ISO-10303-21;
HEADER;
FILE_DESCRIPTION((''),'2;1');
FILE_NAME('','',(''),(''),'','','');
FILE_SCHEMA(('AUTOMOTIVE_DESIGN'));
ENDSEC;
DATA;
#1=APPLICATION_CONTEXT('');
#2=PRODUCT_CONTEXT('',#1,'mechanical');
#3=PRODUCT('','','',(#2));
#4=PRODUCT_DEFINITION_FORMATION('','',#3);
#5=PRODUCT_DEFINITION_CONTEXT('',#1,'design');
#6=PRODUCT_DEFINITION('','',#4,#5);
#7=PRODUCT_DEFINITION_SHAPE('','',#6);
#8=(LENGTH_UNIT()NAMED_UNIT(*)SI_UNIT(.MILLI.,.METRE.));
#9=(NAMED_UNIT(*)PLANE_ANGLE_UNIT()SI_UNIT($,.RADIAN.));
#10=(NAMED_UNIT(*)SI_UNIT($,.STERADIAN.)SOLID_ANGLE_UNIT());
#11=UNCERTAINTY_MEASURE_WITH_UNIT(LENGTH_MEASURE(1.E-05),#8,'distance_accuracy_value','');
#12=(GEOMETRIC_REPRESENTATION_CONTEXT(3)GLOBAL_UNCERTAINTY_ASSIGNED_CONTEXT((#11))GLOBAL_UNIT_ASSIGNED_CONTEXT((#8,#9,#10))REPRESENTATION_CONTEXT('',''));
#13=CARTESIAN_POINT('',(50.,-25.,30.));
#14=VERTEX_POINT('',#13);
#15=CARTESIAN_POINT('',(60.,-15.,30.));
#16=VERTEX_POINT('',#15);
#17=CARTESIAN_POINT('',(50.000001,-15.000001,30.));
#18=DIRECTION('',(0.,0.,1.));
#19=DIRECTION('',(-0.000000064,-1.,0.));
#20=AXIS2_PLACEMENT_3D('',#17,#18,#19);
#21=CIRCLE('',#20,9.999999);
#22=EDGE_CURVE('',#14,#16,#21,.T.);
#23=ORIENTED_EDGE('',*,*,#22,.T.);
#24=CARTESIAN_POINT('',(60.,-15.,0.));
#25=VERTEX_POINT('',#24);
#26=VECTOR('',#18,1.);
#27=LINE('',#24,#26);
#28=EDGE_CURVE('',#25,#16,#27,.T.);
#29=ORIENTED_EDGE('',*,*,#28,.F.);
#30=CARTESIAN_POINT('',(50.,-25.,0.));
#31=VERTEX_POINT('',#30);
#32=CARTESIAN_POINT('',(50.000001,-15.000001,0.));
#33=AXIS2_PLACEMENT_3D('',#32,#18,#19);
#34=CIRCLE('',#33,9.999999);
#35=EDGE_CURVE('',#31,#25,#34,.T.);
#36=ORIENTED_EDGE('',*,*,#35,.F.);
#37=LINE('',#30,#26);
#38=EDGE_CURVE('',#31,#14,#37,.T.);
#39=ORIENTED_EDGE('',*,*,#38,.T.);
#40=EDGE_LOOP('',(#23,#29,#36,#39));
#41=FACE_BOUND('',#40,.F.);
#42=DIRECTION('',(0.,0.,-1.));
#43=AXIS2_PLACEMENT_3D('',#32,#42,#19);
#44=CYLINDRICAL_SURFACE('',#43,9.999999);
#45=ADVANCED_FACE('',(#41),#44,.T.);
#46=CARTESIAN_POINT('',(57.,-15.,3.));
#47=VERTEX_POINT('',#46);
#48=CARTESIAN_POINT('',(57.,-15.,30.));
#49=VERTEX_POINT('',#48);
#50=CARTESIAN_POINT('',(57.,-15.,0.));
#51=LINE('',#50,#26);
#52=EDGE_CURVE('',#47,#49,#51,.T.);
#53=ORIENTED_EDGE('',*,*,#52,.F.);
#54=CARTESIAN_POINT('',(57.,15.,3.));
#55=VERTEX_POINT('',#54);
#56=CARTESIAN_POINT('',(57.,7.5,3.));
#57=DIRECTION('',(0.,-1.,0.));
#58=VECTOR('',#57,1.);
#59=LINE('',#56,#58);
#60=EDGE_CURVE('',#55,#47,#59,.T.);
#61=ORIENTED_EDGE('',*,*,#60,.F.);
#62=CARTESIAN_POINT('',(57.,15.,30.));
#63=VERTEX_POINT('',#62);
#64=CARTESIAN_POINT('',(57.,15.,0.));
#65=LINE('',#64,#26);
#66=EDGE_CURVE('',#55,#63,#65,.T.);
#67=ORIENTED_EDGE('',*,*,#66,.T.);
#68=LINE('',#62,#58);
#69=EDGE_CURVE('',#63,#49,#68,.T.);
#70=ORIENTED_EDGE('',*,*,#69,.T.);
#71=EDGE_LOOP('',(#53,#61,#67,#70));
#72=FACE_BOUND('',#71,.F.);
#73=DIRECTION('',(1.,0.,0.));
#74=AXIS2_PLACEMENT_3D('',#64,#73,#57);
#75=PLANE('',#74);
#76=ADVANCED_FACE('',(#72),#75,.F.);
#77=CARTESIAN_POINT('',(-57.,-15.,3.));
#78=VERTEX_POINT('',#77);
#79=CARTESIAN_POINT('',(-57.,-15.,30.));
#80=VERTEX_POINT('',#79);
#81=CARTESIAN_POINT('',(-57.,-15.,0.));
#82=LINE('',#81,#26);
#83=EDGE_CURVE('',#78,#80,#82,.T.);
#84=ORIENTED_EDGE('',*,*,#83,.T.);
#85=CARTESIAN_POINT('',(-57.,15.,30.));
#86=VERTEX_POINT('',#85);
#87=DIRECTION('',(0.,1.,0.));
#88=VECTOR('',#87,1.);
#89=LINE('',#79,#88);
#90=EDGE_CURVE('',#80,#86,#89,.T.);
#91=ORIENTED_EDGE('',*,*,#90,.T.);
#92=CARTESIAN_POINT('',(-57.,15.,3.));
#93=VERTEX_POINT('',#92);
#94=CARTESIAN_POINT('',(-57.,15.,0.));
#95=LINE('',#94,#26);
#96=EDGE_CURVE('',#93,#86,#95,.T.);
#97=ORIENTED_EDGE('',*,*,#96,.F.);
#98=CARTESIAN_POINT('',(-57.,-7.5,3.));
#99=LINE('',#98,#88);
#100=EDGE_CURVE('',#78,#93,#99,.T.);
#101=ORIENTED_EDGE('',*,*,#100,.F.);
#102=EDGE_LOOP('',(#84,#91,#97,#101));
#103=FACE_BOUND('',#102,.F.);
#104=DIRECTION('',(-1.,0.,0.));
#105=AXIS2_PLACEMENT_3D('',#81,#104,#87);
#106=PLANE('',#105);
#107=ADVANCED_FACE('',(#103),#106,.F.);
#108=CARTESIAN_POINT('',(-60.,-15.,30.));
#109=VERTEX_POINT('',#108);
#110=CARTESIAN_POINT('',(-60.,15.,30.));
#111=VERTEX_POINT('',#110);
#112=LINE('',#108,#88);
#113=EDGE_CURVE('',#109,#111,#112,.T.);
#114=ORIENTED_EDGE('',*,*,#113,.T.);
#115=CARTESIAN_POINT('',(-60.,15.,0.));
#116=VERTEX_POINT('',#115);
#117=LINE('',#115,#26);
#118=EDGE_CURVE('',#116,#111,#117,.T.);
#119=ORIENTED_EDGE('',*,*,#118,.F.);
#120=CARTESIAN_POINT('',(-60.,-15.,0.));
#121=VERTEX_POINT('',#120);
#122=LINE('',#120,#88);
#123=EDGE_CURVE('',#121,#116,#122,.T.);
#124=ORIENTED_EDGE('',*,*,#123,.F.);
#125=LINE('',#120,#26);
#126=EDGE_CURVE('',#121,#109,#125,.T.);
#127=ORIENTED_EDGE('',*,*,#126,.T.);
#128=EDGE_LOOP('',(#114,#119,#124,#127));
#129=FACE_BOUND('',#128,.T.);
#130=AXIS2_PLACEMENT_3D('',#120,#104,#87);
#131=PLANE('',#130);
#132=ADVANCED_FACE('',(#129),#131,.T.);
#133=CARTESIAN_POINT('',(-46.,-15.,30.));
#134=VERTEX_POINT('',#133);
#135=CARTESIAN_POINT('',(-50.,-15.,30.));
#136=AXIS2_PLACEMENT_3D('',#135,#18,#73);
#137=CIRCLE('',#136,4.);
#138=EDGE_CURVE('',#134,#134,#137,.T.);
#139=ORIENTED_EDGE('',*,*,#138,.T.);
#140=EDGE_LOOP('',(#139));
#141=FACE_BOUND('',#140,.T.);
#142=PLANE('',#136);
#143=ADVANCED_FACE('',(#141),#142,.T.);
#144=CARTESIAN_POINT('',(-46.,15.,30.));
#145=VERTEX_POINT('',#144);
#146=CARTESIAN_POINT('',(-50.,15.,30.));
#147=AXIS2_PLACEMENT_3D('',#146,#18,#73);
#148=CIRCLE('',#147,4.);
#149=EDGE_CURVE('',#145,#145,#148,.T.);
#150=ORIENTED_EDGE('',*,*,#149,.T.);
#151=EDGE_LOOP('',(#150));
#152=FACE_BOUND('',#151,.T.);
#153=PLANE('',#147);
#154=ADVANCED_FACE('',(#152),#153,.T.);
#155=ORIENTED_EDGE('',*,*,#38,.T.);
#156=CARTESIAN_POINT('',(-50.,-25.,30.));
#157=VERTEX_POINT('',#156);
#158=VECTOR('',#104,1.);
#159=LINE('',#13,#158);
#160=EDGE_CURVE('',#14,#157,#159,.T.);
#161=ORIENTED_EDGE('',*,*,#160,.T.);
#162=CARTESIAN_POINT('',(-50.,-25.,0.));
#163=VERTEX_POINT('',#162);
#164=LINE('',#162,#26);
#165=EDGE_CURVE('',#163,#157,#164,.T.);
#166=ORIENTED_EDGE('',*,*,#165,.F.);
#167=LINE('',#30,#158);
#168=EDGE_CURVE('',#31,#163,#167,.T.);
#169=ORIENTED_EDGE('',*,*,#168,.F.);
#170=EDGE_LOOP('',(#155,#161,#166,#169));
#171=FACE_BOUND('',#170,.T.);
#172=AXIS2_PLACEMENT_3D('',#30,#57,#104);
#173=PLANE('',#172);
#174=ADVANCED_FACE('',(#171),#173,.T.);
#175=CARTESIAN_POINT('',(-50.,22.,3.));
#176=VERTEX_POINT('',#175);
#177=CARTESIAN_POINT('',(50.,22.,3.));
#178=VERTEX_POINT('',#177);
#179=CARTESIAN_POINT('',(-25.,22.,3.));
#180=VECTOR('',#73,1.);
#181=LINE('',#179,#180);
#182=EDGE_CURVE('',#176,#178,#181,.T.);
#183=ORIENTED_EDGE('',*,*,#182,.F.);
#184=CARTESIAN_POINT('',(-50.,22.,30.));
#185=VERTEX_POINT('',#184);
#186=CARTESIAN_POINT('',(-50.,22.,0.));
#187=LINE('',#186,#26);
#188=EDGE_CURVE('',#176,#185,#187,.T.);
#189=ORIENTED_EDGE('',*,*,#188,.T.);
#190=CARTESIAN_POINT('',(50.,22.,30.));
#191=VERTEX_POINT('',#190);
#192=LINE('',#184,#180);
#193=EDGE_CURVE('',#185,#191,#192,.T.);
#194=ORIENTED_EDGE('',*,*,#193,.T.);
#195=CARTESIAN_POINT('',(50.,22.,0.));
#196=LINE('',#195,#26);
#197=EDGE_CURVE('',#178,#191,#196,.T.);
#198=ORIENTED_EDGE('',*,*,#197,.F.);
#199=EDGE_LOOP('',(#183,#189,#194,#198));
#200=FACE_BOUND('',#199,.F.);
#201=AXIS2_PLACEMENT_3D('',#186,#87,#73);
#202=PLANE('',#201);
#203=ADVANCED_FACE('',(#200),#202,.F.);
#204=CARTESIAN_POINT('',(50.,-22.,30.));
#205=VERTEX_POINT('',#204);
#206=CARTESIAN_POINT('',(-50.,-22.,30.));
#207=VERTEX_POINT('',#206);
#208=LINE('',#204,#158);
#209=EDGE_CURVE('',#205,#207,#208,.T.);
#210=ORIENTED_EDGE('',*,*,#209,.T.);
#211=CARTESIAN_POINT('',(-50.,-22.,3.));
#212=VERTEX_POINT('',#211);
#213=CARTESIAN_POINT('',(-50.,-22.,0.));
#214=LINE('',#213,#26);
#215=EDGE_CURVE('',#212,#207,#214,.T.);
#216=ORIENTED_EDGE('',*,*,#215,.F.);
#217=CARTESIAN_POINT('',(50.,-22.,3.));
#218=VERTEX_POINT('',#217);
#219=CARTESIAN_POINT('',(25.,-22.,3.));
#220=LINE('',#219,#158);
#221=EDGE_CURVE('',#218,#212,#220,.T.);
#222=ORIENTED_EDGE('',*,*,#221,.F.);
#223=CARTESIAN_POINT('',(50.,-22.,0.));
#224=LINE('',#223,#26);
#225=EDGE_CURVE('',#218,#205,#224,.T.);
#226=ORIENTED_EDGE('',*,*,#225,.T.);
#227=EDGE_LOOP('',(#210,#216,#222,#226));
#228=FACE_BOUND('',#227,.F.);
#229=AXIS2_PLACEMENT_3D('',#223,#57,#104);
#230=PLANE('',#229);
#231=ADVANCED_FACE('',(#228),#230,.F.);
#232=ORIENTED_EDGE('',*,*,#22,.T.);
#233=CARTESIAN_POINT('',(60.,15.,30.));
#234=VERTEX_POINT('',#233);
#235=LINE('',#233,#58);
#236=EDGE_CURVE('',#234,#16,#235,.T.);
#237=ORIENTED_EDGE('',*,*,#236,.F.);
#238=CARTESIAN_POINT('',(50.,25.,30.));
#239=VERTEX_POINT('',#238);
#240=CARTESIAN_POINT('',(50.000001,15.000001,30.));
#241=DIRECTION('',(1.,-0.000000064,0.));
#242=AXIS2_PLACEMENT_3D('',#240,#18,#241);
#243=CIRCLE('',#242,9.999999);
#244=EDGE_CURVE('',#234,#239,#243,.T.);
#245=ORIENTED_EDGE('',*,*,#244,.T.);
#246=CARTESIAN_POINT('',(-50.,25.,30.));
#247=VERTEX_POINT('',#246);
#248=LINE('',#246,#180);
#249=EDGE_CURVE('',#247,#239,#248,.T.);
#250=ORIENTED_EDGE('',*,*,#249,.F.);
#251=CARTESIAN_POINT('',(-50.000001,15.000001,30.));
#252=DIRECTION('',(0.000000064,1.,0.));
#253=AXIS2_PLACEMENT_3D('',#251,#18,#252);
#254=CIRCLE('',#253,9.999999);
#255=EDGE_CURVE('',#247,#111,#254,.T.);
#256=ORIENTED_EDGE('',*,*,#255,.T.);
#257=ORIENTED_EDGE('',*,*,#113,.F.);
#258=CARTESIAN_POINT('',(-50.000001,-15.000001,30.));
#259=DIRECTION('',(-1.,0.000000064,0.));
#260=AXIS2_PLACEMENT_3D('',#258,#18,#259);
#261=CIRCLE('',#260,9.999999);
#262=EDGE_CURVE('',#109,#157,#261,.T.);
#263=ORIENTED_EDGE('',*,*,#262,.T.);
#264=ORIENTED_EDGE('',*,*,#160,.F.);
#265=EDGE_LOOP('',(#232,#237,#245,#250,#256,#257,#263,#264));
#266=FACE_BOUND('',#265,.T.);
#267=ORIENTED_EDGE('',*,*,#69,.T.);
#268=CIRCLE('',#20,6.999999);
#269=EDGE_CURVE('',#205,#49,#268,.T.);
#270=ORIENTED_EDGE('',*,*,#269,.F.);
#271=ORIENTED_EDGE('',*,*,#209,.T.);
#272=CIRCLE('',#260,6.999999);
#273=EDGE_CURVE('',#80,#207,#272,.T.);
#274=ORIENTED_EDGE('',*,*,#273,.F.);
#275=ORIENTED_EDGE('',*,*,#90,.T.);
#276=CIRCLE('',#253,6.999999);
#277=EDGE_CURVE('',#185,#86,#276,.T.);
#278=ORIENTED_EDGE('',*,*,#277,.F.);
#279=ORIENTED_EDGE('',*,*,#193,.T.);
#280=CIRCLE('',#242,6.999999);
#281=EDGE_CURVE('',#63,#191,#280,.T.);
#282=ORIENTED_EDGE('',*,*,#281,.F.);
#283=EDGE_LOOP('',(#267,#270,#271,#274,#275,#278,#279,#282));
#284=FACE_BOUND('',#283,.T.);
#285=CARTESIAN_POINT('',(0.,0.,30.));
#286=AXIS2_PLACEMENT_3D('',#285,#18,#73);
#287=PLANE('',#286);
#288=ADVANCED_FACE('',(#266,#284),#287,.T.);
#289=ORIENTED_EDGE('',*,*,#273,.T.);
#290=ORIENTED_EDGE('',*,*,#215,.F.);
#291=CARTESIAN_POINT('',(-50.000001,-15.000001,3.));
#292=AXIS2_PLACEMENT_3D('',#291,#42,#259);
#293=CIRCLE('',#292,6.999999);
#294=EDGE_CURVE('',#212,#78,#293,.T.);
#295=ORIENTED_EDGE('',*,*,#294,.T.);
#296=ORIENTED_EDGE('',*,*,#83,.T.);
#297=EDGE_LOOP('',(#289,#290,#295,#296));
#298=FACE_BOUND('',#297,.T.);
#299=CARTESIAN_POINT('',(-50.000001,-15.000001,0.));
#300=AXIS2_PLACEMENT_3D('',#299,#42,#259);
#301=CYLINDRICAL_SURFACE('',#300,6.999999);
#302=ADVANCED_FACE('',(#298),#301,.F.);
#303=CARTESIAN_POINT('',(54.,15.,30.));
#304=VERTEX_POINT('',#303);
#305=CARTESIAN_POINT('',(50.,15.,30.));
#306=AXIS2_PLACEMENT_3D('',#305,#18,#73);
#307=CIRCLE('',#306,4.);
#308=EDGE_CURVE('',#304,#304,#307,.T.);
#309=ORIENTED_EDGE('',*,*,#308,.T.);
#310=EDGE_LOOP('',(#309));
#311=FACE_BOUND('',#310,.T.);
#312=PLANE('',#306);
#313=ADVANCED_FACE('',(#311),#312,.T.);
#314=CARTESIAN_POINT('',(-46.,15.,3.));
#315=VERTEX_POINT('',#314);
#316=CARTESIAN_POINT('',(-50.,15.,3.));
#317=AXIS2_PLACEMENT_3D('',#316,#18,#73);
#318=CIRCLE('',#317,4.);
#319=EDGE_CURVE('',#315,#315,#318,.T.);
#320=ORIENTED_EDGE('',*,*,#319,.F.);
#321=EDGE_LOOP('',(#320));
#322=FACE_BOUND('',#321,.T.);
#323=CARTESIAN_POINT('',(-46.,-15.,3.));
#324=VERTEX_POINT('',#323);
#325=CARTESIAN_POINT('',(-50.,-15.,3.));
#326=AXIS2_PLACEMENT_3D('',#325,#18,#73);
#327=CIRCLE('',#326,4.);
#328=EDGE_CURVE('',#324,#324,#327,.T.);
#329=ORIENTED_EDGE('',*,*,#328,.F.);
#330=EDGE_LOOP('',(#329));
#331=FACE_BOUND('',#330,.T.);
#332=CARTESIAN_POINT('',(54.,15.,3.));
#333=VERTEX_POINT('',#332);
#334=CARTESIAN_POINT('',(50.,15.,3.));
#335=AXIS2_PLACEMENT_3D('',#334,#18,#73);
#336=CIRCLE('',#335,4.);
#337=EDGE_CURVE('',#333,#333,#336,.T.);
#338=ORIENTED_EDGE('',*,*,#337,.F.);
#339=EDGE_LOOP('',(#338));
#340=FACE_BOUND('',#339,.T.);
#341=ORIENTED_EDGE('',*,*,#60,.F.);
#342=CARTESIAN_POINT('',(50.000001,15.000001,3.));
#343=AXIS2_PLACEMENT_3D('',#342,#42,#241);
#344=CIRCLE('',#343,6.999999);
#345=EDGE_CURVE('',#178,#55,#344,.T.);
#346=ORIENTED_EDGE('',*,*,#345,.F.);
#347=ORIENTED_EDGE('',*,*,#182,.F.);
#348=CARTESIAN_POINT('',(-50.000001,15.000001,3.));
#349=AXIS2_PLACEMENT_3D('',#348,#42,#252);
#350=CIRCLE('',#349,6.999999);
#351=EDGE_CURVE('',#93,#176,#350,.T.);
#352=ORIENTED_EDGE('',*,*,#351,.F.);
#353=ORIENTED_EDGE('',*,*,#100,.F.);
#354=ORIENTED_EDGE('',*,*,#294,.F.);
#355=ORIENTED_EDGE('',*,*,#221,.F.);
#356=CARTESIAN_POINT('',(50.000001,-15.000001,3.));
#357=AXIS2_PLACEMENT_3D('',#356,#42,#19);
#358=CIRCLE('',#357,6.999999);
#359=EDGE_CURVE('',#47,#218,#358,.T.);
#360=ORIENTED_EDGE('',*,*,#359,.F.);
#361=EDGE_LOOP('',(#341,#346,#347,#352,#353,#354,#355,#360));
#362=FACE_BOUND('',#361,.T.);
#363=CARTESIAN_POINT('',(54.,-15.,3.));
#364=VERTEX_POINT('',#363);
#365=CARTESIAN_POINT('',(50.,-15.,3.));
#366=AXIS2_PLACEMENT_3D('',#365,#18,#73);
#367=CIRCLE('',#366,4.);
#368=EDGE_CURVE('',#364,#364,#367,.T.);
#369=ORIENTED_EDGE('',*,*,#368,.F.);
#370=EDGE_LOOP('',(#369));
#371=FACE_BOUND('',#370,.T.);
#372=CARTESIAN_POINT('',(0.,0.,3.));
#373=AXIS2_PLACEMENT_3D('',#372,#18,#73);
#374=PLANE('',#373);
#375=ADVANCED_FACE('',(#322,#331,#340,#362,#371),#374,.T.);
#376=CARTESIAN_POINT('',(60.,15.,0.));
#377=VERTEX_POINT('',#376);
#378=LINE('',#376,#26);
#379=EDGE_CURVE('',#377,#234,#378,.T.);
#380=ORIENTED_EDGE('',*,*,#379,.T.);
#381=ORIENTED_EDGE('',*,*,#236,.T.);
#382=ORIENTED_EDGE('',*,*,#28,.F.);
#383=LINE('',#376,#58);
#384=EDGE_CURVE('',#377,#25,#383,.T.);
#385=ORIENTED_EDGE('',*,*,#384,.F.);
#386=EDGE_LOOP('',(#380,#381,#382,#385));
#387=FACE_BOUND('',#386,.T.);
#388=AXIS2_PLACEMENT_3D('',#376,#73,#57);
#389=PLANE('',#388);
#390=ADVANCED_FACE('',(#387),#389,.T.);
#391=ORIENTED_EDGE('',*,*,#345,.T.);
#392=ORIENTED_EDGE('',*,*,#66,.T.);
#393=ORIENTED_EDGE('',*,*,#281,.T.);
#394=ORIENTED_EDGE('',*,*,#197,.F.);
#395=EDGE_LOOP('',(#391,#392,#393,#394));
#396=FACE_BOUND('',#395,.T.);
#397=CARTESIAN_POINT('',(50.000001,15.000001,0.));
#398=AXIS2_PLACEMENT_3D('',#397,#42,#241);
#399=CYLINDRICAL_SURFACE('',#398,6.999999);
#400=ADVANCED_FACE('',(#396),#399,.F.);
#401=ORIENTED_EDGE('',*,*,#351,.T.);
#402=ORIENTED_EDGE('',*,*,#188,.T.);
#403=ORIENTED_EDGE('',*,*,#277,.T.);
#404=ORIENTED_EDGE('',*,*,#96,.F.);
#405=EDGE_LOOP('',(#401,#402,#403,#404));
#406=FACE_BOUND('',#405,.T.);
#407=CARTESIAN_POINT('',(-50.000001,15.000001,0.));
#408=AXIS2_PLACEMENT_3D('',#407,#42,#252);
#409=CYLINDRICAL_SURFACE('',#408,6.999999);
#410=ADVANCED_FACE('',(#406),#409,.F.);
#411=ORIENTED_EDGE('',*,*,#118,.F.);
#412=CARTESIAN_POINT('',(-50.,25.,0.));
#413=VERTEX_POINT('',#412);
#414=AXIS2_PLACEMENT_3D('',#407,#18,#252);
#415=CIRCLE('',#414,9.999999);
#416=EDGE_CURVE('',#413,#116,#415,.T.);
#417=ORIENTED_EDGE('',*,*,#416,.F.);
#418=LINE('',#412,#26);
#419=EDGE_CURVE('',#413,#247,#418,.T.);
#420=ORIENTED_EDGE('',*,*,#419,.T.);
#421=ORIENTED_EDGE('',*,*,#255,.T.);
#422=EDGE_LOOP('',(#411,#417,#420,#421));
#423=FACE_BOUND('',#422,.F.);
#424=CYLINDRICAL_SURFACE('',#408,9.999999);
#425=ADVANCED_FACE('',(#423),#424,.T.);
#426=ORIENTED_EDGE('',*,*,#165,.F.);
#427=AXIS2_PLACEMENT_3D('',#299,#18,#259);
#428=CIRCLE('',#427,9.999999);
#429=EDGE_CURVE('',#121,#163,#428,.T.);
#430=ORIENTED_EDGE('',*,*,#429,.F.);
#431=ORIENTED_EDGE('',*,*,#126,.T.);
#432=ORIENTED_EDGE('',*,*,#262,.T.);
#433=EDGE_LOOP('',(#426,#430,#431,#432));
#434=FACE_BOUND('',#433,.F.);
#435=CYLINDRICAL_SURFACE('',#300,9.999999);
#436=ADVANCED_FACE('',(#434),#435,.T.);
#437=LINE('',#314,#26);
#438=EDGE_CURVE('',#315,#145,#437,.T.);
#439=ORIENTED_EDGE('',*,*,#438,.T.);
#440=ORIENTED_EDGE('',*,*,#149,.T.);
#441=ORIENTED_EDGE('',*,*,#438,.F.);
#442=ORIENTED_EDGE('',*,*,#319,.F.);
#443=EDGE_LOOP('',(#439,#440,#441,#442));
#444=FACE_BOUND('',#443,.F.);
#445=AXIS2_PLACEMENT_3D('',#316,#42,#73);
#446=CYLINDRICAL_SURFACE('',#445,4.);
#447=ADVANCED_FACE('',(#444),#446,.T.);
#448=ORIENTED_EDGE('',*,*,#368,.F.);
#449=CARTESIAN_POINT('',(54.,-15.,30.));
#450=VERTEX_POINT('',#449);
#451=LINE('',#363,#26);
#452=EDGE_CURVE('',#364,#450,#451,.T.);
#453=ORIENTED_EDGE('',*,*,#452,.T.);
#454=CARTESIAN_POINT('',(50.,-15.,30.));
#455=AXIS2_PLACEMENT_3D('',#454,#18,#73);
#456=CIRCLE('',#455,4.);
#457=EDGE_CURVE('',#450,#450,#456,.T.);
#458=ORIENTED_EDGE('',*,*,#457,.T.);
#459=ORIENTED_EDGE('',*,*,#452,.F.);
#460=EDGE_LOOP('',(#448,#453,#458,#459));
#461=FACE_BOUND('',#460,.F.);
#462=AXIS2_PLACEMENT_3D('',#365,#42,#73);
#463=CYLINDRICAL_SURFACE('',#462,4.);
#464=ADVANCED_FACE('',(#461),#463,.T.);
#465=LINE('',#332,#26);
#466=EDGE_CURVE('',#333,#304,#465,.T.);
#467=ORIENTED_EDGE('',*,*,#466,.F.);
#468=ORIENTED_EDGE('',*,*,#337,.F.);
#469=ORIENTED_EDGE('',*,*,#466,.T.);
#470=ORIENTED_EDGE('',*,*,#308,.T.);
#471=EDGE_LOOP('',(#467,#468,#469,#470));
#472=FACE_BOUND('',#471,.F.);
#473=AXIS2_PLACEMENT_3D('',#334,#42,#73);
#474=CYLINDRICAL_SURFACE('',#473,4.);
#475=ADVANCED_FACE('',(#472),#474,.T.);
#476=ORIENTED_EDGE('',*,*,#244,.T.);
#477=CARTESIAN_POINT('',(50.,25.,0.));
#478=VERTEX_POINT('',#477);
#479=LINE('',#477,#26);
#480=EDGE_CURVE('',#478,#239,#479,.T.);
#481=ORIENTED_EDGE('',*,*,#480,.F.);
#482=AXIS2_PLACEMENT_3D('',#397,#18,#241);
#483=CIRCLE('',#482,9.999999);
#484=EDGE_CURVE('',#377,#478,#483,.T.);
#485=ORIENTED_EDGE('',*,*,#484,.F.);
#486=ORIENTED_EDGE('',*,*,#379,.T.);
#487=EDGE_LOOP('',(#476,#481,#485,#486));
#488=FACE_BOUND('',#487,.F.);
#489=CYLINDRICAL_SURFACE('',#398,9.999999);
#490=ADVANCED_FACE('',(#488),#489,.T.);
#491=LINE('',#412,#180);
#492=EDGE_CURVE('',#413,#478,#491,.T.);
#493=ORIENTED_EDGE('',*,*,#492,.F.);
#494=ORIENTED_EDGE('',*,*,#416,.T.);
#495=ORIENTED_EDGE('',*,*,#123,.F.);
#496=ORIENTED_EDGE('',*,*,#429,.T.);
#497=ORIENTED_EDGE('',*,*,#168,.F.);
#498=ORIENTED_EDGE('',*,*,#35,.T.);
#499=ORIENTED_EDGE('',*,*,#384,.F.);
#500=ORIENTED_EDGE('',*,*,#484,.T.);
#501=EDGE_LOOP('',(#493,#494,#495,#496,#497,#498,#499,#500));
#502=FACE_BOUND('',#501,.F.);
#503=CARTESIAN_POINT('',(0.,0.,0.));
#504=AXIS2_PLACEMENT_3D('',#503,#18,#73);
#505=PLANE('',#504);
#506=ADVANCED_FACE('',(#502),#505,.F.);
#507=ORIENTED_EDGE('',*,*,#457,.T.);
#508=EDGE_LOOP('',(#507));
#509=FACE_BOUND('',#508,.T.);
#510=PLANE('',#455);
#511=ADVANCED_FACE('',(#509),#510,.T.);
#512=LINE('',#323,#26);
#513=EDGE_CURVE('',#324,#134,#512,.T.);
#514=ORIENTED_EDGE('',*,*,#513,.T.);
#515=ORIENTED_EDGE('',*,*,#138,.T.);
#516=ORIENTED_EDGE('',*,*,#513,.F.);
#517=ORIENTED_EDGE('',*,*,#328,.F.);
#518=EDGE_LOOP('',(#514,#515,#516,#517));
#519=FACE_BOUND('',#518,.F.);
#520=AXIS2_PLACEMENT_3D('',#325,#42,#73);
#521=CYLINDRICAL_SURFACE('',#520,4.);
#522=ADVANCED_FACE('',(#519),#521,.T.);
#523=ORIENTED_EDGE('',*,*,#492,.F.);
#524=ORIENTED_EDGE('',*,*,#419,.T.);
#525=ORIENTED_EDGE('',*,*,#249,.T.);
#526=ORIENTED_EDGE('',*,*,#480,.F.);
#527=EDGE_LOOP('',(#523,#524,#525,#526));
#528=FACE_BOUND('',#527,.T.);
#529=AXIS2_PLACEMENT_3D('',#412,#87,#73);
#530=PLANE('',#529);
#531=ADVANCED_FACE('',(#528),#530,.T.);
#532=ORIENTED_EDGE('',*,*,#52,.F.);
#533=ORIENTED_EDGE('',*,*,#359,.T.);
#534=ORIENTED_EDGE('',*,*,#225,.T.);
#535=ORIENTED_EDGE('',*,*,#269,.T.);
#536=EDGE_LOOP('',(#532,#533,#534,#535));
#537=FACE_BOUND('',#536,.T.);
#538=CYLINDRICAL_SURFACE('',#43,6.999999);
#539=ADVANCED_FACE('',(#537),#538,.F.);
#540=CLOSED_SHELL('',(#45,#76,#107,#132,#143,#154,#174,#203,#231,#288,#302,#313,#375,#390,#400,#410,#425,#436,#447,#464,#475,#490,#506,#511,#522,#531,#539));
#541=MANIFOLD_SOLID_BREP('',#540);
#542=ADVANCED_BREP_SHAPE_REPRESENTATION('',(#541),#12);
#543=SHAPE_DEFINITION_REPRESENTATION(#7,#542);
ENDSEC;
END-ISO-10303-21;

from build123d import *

# Parameters (mm, degrees)
PAD_DEPTH    = 30
THICKNESS_T  = -3
SKETCH001_R  = 4
PAD001_DEPTH = 27


with BuildPart() as part:
    # Sketch → Pad (new body)
    with BuildSketch(Plane.XY):
        with BuildLine():
            ThreePointArc((-50, 25), (-57.071068, 22.071068), (-60, 15))
            Line((-60, -15), (-60, 15))
            ThreePointArc((-60, -15), (-57.071068, -22.071068), (-50, -25))
            Line((50, -25), (-50, -25))
            ThreePointArc((50, -25), (57.071068, -22.071068), (60, -15))
            Line((60, 15), (60, -15))
            ThreePointArc((60, 15), (57.071068, 22.071068), (50, 25))
            Line((-50, 25), (50, 25))
        make_face()
    extrude(amount=PAD_DEPTH)

    # Thickness
    thickness_openings = [part.faces().sort_by_distance(p)[0] for p in [
        (0, 0, 30),
    ]]
    offset(amount=THICKNESS_T, openings=thickness_openings)

    # Sketch001 (on Face19 of Thickness) → Pad001 (join)
    with BuildSketch(Plane.XY.offset(3)):
        with Locations((-50, 15)):
            Circle(SKETCH001_R)
        with Locations((-50, -15)):
            Circle(SKETCH001_R)
        with Locations((50, 15)):
            Circle(SKETCH001_R)
        with Locations((50, -15)):
            Circle(SKETCH001_R)
    extrude(amount=PAD001_DEPTH)


solid = part.part
